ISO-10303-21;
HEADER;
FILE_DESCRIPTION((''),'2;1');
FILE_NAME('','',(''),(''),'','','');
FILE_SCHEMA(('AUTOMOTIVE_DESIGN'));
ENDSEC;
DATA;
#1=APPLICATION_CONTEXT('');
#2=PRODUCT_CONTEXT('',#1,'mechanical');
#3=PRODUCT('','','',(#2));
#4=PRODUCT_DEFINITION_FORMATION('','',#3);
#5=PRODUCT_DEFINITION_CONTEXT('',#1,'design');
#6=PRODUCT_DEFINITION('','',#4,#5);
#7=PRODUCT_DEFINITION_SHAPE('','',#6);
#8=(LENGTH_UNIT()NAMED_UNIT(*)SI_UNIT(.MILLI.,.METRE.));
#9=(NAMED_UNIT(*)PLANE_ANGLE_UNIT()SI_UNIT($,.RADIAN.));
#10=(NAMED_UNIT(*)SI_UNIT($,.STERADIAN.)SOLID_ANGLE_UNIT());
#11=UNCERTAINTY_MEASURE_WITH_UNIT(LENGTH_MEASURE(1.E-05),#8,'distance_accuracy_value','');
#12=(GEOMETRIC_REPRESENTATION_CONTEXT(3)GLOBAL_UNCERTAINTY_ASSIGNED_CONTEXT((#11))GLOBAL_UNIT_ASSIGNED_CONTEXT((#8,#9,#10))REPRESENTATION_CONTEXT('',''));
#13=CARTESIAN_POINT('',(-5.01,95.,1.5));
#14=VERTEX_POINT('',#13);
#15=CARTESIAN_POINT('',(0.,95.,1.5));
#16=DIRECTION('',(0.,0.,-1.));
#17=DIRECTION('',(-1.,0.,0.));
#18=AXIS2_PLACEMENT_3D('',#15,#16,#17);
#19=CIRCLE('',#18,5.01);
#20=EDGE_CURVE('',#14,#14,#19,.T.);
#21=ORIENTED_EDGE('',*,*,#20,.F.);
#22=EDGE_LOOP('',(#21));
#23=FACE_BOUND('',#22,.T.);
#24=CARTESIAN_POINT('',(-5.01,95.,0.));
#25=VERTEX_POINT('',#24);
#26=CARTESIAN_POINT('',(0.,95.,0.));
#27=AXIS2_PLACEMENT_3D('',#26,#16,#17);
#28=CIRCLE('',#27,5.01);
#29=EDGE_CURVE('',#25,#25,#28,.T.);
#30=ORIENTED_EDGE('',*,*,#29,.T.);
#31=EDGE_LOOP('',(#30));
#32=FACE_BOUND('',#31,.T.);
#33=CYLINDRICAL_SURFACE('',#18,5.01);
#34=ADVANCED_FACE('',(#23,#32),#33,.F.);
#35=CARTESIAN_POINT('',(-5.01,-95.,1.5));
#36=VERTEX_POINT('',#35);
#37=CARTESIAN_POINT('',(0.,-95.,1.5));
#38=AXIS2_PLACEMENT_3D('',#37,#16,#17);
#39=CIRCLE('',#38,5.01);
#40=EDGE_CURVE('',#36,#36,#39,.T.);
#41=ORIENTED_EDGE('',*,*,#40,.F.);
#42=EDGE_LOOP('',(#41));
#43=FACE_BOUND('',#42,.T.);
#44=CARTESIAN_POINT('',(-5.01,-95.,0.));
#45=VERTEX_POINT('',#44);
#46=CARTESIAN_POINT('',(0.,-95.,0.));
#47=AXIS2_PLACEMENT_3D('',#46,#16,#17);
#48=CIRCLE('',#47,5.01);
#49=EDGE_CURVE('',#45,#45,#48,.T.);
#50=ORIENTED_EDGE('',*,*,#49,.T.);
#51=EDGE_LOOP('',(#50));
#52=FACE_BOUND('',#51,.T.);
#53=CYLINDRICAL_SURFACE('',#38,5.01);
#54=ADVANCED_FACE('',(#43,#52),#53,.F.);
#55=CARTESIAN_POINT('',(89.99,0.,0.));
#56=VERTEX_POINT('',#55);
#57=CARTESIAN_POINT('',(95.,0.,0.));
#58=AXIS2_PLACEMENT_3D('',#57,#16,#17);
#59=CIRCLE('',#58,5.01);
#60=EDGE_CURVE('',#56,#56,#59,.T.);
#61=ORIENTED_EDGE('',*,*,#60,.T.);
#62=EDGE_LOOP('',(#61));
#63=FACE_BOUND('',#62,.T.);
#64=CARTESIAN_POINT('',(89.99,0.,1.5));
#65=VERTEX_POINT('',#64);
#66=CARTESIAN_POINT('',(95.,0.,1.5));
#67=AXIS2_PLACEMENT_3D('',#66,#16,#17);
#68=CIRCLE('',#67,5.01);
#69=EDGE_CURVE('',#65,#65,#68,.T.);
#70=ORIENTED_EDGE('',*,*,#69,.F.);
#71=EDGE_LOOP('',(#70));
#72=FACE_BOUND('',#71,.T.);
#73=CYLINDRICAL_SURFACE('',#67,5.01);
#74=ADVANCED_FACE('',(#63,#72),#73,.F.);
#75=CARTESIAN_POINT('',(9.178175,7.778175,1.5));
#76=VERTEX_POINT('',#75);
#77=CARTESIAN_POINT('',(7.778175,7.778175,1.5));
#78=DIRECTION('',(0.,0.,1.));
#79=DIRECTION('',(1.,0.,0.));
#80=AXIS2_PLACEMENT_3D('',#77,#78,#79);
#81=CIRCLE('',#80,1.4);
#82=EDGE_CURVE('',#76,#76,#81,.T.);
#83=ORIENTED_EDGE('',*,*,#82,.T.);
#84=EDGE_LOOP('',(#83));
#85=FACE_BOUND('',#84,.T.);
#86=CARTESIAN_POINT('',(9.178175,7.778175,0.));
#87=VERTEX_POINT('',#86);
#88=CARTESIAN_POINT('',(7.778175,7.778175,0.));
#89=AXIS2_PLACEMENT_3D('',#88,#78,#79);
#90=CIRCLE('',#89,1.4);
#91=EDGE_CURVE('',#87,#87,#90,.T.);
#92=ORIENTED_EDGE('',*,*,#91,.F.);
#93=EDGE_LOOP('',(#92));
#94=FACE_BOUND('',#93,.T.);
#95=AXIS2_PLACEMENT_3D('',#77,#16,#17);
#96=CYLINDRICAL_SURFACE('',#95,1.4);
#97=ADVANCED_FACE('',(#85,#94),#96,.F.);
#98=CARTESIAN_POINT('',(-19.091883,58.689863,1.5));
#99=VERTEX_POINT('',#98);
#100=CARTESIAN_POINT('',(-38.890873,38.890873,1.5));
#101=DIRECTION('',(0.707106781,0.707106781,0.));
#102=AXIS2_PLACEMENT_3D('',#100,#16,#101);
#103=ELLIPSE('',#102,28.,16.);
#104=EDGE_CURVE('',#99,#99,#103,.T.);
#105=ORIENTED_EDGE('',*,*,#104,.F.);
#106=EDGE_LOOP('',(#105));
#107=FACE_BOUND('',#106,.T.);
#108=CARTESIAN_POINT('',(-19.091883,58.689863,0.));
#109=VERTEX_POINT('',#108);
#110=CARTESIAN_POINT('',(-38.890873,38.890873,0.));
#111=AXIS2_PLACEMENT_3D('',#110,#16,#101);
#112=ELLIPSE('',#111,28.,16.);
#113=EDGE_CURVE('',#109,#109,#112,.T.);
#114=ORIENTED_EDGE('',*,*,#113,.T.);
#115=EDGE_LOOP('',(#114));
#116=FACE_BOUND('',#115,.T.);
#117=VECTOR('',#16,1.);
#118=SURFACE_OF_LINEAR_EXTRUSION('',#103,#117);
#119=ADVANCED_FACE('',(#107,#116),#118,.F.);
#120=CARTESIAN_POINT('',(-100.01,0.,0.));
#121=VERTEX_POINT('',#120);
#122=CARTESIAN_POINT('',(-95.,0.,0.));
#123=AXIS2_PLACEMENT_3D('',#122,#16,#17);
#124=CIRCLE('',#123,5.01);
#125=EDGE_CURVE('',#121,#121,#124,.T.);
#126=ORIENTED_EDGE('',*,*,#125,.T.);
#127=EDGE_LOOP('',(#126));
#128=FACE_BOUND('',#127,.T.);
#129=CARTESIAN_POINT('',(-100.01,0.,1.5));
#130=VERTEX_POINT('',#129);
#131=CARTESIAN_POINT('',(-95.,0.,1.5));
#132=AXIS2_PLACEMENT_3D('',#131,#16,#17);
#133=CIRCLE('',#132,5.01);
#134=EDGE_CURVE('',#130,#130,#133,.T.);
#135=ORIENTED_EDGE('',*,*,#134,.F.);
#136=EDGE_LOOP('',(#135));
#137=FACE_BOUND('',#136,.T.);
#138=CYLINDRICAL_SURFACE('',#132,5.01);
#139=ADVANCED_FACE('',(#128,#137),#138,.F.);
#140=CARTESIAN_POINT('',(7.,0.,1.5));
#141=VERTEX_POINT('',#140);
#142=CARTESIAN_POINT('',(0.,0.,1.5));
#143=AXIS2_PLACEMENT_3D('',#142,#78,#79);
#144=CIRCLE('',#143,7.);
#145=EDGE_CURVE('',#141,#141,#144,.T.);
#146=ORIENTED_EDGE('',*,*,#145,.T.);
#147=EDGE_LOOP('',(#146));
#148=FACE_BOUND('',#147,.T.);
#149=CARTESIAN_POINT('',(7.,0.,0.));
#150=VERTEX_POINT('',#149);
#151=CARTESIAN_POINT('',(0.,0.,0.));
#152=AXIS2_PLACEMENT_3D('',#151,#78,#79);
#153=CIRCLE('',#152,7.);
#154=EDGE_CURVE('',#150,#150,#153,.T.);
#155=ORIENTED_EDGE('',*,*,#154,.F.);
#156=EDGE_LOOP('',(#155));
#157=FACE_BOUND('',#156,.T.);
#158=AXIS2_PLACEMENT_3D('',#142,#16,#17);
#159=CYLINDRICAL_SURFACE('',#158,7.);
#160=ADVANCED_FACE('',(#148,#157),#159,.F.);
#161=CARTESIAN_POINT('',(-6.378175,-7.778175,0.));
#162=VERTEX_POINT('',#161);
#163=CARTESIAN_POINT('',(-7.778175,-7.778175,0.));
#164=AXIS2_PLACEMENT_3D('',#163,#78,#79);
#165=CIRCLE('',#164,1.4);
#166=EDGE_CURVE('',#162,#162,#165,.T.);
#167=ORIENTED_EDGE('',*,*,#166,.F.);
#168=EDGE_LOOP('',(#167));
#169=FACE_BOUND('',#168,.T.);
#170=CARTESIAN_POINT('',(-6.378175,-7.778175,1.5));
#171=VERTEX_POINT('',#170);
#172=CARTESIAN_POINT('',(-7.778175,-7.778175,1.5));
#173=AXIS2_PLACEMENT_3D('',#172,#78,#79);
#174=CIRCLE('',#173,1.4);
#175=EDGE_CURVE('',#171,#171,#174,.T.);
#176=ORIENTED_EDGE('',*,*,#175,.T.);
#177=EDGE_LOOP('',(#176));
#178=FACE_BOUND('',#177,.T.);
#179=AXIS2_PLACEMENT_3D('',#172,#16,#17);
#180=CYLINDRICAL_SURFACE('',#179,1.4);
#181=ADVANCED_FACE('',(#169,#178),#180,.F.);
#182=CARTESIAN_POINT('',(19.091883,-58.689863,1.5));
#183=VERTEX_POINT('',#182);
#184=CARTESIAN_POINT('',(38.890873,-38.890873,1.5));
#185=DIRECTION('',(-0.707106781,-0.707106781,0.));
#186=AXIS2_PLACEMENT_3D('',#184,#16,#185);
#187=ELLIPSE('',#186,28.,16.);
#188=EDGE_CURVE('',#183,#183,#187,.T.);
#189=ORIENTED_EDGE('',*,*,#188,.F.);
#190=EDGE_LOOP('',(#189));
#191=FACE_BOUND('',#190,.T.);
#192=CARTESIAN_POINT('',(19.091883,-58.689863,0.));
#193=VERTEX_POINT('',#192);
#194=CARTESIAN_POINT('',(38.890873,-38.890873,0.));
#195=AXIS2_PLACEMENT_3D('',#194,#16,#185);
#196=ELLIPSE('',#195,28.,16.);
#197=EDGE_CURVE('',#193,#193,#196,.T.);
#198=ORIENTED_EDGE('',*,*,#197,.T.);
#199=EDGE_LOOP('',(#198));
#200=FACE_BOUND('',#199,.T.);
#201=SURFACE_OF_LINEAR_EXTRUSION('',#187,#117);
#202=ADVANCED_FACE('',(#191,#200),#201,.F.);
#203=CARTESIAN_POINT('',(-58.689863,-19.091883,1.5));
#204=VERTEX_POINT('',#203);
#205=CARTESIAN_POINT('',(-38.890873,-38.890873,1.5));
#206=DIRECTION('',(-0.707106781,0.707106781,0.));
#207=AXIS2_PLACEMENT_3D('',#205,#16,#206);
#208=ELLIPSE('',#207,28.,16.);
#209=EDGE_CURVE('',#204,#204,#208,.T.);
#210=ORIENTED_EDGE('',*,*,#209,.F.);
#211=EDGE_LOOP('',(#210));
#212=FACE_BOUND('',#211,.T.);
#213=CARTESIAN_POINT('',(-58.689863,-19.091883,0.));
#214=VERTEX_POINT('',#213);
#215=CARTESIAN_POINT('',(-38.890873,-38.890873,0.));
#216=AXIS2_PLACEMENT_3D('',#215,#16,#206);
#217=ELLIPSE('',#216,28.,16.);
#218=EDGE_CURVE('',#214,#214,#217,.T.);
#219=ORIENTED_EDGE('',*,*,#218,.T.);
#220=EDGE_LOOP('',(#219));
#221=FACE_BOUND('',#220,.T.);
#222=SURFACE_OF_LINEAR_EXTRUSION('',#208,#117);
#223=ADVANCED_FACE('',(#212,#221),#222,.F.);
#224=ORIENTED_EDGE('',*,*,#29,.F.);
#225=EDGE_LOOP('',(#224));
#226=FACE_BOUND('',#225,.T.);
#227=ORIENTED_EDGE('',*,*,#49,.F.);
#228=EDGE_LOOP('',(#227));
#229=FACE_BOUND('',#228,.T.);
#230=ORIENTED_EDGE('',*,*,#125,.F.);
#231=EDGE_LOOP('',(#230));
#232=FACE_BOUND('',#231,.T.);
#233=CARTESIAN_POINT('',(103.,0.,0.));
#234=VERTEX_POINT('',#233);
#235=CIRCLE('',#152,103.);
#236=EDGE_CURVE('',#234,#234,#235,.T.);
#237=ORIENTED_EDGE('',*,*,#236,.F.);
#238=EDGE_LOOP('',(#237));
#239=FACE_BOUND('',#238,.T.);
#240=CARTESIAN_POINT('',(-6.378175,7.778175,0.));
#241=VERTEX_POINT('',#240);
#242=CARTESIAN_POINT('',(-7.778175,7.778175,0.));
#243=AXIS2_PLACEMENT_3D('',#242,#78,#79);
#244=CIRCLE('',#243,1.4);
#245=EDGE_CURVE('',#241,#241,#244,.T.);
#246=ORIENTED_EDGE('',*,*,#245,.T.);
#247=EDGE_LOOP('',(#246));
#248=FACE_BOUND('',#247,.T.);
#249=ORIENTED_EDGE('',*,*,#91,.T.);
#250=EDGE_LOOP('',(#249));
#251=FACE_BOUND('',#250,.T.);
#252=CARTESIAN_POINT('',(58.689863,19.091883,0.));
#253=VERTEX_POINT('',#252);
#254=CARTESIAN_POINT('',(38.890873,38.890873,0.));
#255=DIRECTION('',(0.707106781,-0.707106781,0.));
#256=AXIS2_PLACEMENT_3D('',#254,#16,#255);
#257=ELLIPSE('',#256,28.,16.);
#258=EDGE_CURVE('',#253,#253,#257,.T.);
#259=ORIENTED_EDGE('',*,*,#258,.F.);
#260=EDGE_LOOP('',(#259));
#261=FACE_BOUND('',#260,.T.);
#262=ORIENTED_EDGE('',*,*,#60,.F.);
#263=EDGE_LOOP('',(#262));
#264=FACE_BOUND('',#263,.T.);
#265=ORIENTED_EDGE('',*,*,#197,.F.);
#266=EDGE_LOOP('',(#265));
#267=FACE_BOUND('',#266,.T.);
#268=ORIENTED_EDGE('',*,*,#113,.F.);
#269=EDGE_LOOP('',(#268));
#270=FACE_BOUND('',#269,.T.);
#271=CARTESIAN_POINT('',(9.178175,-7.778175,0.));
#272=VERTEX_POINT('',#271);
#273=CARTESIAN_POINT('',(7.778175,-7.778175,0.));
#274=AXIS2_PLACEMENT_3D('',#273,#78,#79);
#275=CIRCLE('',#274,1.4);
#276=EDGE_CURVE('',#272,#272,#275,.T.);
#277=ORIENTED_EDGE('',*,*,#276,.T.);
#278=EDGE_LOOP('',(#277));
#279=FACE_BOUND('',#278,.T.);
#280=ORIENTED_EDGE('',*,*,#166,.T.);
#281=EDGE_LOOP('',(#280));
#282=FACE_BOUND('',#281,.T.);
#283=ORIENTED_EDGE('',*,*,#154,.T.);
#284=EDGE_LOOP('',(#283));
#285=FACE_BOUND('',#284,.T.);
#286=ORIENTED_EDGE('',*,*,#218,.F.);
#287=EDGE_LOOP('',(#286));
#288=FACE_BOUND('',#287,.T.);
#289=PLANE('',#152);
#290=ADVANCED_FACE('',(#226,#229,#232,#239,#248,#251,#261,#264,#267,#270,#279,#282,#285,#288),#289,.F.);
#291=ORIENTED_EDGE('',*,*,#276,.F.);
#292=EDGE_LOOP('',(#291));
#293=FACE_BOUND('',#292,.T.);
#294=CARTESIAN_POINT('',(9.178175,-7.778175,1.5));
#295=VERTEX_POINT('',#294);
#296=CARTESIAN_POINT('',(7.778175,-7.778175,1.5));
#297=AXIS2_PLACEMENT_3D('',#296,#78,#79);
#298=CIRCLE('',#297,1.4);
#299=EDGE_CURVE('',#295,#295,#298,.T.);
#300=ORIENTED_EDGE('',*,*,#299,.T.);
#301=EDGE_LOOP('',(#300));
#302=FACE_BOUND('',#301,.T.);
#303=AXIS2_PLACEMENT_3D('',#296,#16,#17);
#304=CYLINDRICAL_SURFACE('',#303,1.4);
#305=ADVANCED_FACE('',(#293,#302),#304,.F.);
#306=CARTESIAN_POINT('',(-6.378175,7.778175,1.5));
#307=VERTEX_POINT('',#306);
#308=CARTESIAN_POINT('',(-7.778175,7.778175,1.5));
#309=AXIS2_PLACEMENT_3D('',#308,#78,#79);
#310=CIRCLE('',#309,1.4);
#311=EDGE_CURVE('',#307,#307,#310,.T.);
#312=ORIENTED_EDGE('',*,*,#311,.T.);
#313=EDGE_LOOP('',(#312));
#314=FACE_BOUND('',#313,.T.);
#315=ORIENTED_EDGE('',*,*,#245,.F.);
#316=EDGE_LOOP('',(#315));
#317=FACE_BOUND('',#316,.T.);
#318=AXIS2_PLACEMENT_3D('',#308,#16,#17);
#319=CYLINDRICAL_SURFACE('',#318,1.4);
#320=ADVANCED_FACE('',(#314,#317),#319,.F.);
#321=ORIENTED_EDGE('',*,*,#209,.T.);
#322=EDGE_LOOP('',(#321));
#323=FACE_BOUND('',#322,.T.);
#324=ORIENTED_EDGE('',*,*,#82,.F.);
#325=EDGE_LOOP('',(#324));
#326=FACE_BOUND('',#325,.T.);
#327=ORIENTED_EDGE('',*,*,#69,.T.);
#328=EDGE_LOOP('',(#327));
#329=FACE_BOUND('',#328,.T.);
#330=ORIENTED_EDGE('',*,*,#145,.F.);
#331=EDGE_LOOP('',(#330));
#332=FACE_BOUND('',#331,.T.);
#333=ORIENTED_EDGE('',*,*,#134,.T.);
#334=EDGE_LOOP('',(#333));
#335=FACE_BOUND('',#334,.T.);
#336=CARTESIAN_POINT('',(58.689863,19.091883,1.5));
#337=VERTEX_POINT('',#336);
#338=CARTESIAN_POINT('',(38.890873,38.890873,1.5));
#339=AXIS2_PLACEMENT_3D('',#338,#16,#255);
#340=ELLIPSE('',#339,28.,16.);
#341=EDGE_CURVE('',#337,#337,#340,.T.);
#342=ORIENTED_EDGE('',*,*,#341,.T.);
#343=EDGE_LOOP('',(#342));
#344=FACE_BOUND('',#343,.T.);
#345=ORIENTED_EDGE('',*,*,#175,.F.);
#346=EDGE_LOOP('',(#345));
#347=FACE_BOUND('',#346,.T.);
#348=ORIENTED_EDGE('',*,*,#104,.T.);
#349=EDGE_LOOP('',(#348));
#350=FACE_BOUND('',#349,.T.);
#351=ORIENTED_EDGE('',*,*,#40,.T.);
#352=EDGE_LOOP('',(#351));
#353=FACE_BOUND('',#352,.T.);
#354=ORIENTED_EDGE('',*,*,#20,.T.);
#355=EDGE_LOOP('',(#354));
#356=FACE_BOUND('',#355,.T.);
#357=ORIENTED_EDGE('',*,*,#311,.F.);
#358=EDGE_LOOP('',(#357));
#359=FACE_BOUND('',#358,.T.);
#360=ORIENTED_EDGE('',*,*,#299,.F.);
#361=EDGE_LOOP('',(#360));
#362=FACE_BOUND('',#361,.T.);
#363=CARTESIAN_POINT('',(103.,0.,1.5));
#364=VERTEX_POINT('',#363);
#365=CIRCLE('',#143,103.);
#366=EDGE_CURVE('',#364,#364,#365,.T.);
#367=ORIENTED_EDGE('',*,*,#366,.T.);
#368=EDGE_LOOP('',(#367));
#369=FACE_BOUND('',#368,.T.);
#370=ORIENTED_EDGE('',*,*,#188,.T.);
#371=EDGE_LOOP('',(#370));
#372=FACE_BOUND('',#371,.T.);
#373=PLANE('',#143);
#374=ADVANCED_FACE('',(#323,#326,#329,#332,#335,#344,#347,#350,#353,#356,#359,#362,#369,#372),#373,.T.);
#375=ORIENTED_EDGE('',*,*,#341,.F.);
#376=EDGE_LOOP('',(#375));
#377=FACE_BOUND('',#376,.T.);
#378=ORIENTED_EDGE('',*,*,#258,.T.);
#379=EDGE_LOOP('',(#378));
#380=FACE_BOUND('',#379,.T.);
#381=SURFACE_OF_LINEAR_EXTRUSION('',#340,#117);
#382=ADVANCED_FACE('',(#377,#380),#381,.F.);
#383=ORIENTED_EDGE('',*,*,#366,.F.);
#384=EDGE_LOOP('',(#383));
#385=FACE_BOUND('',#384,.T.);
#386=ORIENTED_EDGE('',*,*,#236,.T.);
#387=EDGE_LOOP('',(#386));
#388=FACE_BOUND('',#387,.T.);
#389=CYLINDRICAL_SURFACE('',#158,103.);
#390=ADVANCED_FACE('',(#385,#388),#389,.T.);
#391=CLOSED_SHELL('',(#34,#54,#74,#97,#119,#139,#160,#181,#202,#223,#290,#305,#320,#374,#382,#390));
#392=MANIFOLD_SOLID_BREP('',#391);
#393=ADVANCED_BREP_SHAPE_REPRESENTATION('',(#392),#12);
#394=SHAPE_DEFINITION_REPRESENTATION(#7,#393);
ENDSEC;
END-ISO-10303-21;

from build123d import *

# Parameters (mm, degrees)
SKETCH1_R                                      = 103
BASE_DISC_DEPTH                                = 1.5
SKETCH3_R                                      = 3
CUT_EXTRUDE1_DEPTH                             = 146.671719973
SKETCH4_RX                                     = 28
SKETCH4_RY                                     = 16
CUT_EXTRUDE2_DEPTH                             = 146.671719973
SKETCH2_R                                      = 7.5
CUT_EXTRUDE3_DEPTH                             = 146.671720116
CIRPATTERN3_COUNT                              = 4
CIRPATTERN4_COUNT                              = 4
SKETCH5_R                                      = 1.4
CUT_EXTRUDE4_DEPTH                             = 146.671720116
SKETCH6_R                                      = 7.51
SKETCH6_R_2                                    = 7
CENTRE_BORE_CORRECTION_D14_DEPTH               = 1.5
SKETCH7_R                                      = 5.01
REVB_FOUR_CARTRIDGE_PILOT_HOLES_D10P02_R_DEPTH = 146.671720116


with BuildPart() as part:
    # Sketch1 → Base Disc (new body)
    with BuildSketch(Plane.XY):
        Circle(SKETCH1_R)
    extrude(amount=BASE_DISC_DEPTH)

    # Sketch3 → Cut-Extrude1 (cut, through all)
    with BuildSketch(Plane(origin=(0, 0, 0), x_dir=(-1, 0, 0), z_dir=(0, 0, -1))):
        with Locations((95, 0)):
            Circle(SKETCH3_R)
    cut_extrude1 = extrude(amount=-CUT_EXTRUDE1_DEPTH, mode=Mode.SUBTRACT)

    # Sketch4 → Cut-Extrude2 (cut, through all)
    with BuildSketch(Plane(origin=(0, 0, 0), x_dir=(-1, 0, 0), z_dir=(0, 0, -1))):
        with Locations(Location((38.890872965, 38.890872965), (0, 0, 135))):
            Ellipse(SKETCH4_RX, SKETCH4_RY)
    cut_extrude2 = extrude(amount=-CUT_EXTRUDE2_DEPTH, mode=Mode.SUBTRACT)

    # Sketch2 → Cut-Extrude3 (cut, through all)
    with BuildSketch(Plane(origin=(0, 0, 0), x_dir=(-1, 0, 0), z_dir=(0, 0, -1))):
        Circle(SKETCH2_R)
    extrude(amount=-CUT_EXTRUDE3_DEPTH, mode=Mode.SUBTRACT)

    # CirPattern3: Cut-Extrude1 ×4 about axis
    cirpattern3_axis = Axis((0, 0, 0), (0, 0, 1))
    for i in range(1, CIRPATTERN3_COUNT):
        add(cut_extrude1.rotate(cirpattern3_axis, i * 360 / CIRPATTERN3_COUNT), mode=Mode.SUBTRACT)

    # CirPattern4: Cut-Extrude2 ×4 about axis
    cirpattern4_axis = Axis((0, 0, 0), (0, 0, -1))
    for i in range(1, CIRPATTERN4_COUNT):
        add(cut_extrude2.rotate(cirpattern4_axis, i * 360 / CIRPATTERN4_COUNT), mode=Mode.SUBTRACT)

    # Sketch5 → Cut-Extrude4 (cut, through all)
    with BuildSketch(Plane.XY):
        with Locations((-7.778174593, -7.778174593)):
            Circle(SKETCH5_R)
        with Locations((-7.778174593, 7.778174593)):
            Circle(SKETCH5_R)
        with Locations((7.778174593, 7.778174593)):
            Circle(SKETCH5_R)
        with Locations((7.778174593, -7.778174593)):
            Circle(SKETCH5_R)
    extrude(amount=CUT_EXTRUDE4_DEPTH, mode=Mode.SUBTRACT)

    # Sketch6 → Centre_Bore_Correction_D14 (add)
    with BuildSketch(Plane.XY):
        Circle(SKETCH6_R)
        Circle(SKETCH6_R_2, mode=Mode.SUBTRACT)
    extrude(amount=CENTRE_BORE_CORRECTION_D14_DEPTH)

    # Sketch7 → RevB_Four_Cartridge_Pilot_Holes_D10p02_R95 (cut, through all)
    with BuildSketch(Plane(origin=(0, 0, 0), x_dir=(-1, 0, 0), z_dir=(0, 0, -1))):
        with Locations((-95, 0)):
            Circle(SKETCH7_R)
        with Locations((0, 95)):
            Circle(SKETCH7_R)
        with Locations((95, 0)):
            Circle(SKETCH7_R)
        with Locations((0, -95)):
            Circle(SKETCH7_R)
    extrude(amount=-REVB_FOUR_CARTRIDGE_PILOT_HOLES_D10P02_R_DEPTH, mode=Mode.SUBTRACT)


solid = part.part
